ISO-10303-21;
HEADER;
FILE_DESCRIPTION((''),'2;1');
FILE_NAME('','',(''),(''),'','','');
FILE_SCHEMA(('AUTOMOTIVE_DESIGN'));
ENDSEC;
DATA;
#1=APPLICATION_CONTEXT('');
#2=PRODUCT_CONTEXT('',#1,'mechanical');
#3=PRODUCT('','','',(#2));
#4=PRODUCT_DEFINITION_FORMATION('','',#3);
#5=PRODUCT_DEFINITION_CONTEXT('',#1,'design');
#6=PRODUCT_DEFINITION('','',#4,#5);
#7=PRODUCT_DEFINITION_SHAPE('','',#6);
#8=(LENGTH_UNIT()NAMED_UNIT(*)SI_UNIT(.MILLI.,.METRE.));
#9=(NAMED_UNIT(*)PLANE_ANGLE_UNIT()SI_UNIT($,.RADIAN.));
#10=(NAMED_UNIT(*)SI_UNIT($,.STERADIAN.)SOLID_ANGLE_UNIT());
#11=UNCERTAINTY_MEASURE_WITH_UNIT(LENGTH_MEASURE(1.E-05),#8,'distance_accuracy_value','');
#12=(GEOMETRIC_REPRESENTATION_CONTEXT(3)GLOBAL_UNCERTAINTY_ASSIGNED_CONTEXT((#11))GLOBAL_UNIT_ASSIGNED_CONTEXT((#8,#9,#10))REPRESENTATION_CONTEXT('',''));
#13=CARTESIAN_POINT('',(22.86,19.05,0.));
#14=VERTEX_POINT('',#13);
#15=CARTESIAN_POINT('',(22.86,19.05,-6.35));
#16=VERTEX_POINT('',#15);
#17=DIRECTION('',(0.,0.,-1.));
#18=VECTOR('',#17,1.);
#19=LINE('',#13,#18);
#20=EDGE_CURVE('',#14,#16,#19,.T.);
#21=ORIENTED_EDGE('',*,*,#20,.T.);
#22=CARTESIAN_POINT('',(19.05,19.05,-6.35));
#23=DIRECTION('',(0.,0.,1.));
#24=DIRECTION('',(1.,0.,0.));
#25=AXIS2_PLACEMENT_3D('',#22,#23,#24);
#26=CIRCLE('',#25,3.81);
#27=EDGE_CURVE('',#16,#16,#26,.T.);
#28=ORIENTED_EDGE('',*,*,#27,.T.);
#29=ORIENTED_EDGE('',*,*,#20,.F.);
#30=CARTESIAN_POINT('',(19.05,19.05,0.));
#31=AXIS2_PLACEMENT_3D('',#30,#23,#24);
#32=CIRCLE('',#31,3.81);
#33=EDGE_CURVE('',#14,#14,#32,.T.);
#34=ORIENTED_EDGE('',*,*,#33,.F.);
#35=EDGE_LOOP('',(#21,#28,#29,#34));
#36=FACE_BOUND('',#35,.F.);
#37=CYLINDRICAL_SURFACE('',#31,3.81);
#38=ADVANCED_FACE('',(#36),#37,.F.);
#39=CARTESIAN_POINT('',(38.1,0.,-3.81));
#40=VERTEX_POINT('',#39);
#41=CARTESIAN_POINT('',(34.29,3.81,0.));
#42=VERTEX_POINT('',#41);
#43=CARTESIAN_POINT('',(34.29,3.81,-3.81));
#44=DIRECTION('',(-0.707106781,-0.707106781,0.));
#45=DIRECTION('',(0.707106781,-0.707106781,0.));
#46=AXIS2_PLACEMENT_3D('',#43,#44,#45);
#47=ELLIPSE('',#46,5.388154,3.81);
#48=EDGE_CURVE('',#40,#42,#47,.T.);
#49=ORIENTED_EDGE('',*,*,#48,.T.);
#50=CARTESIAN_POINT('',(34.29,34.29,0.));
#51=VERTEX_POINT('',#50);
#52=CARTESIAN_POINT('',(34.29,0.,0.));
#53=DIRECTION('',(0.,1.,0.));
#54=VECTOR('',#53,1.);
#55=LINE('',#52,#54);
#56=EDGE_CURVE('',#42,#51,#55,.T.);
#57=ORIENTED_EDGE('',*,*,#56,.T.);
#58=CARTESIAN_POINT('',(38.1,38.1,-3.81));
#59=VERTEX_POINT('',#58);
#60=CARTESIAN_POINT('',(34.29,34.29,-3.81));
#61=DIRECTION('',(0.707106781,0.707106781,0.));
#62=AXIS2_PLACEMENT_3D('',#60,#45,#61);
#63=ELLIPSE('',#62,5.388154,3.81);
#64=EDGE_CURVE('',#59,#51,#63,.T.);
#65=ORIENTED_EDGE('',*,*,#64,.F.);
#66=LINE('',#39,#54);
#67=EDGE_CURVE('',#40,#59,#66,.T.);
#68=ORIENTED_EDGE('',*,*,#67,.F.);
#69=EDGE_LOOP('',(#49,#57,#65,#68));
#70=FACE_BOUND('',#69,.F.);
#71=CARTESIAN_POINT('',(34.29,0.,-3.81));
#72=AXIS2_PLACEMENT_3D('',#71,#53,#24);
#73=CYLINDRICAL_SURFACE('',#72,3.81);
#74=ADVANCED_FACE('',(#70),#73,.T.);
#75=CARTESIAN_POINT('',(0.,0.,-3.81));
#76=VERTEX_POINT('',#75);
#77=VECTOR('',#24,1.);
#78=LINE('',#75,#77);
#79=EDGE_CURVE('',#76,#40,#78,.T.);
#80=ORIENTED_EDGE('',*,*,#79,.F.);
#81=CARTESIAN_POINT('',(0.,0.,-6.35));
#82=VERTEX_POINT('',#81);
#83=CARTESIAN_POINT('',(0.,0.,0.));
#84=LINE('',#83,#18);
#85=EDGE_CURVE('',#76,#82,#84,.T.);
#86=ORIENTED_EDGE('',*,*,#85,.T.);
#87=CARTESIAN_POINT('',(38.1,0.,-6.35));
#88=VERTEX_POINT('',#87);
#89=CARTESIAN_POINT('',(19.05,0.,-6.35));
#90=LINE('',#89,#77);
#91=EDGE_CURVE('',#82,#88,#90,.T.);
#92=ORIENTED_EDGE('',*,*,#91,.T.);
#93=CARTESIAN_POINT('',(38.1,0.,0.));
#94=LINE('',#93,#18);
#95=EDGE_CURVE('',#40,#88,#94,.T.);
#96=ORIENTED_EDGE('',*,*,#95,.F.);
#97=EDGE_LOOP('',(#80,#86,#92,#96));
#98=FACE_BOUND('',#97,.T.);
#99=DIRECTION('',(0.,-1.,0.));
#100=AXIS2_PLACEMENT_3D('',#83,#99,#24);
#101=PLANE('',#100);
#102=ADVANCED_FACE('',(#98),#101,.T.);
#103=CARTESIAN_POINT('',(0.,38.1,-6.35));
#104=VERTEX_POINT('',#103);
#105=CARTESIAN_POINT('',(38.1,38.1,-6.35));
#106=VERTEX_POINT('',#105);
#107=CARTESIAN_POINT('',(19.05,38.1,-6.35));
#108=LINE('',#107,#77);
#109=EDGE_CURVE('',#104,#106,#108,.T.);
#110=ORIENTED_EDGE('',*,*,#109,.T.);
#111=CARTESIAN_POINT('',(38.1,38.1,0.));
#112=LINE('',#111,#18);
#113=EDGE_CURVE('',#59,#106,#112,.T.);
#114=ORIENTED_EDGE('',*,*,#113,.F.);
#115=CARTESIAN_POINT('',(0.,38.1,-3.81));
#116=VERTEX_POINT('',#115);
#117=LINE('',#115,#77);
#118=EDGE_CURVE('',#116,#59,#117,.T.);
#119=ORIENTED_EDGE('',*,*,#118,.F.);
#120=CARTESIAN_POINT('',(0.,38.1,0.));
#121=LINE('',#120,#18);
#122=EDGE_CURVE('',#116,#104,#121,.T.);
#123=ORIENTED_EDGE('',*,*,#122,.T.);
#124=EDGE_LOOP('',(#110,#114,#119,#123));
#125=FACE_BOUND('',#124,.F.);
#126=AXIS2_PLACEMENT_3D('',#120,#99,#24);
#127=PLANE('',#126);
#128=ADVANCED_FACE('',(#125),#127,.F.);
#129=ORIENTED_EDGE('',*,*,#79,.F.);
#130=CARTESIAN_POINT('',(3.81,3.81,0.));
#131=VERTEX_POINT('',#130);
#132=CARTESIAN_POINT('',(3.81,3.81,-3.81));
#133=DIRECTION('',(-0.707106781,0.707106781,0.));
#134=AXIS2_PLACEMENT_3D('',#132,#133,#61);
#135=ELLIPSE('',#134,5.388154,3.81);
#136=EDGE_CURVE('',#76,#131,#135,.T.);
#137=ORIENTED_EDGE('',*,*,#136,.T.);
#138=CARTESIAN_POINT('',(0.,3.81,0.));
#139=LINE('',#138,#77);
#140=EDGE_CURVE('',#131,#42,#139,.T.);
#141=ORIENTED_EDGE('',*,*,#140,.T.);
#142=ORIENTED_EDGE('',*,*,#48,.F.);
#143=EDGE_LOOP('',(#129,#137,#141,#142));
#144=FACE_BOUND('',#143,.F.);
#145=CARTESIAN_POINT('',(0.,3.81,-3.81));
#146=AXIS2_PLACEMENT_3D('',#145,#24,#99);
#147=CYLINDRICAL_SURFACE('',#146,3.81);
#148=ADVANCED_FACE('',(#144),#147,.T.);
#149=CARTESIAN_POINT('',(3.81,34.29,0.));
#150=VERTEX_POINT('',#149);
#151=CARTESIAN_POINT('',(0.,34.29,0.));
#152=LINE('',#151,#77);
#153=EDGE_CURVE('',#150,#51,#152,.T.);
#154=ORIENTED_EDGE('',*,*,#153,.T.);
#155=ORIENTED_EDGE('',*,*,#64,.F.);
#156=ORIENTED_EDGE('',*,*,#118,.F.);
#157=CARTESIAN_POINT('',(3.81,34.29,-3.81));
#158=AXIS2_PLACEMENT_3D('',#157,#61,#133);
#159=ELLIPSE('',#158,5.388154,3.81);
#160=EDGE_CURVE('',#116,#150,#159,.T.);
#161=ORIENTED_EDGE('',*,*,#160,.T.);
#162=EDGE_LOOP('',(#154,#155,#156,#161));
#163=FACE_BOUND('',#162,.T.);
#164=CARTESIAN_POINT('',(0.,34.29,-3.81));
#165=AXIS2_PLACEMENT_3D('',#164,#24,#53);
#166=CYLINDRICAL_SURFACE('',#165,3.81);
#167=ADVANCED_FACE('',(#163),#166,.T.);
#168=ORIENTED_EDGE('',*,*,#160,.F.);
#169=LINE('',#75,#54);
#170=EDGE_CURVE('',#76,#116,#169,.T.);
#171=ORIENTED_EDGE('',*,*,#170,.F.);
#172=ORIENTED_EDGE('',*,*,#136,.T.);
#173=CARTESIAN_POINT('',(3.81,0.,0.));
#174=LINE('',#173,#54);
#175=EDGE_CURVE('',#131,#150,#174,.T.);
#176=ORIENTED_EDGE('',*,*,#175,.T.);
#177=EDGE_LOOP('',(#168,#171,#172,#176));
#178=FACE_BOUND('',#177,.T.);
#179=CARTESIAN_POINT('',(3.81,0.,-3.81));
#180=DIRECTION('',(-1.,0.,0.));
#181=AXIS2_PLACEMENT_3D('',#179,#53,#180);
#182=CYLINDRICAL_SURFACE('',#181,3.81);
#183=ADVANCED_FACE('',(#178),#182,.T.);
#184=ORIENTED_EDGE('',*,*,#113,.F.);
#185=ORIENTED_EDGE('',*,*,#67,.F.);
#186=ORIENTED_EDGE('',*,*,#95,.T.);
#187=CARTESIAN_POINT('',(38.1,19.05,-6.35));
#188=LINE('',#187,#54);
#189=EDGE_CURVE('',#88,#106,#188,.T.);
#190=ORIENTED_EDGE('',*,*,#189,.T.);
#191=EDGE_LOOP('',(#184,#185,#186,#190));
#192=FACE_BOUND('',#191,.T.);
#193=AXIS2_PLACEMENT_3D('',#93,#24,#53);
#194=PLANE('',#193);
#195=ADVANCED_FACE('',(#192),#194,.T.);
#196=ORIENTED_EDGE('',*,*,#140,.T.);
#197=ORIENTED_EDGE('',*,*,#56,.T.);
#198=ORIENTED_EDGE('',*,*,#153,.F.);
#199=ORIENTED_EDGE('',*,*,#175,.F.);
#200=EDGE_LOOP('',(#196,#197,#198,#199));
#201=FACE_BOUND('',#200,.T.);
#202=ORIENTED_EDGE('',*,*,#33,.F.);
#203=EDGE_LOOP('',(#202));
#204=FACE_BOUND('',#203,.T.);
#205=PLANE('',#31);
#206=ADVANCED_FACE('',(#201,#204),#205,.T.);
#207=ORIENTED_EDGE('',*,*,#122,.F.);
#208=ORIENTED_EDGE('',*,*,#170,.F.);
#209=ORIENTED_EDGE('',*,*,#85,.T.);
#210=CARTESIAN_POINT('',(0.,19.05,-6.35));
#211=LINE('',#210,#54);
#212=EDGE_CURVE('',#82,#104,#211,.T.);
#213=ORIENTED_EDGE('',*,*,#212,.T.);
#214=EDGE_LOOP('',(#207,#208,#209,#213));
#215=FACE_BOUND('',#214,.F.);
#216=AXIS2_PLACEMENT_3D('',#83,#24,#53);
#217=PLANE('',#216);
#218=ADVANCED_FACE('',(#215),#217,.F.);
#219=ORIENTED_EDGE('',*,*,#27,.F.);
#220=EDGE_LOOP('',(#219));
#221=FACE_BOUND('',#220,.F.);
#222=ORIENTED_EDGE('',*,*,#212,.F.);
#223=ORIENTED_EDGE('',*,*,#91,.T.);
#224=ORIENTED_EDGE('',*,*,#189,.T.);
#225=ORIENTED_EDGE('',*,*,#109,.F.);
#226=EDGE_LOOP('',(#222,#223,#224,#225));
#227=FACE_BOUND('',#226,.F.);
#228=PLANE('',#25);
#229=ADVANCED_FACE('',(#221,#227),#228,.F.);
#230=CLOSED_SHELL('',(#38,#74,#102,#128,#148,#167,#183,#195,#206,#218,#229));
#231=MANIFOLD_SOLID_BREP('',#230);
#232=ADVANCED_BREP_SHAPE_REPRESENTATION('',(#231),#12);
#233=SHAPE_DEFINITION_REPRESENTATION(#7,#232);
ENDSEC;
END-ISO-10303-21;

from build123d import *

# Parameters (mm, degrees)
F0_W     = 38.1
F0_H     = 38.1
F1_DEPTH = 6.35
F2_R     = 3.81
F3_R     = 3.81
F4_DEPTH = 6.351


with BuildPart() as f1:
    # F0 (on Top) → F1 (new body)
    with BuildSketch(Plane.XY):
        with Locations((19.05, 19.05)):
            Rectangle(F0_W, F0_H)
    extrude(amount=-F1_DEPTH)

    # F2
    f2_edges = [f1.edges().sort_by_distance(p)[0] for p in [
        (0, 19.05, 0),
        (19.05, 0, 0),
        (38.1, 19.05, 0),
        (19.05, 38.1, 0),
    ]]
    fillet(f2_edges, radius=F2_R)

    # F3 (on face) → F4 (cut, through all)
    with BuildSketch(Plane.XY):
        with Locations((19.05, 19.05)):
            Circle(F3_R)
    extrude(amount=-F4_DEPTH, mode=Mode.SUBTRACT)


solid = f1.part
